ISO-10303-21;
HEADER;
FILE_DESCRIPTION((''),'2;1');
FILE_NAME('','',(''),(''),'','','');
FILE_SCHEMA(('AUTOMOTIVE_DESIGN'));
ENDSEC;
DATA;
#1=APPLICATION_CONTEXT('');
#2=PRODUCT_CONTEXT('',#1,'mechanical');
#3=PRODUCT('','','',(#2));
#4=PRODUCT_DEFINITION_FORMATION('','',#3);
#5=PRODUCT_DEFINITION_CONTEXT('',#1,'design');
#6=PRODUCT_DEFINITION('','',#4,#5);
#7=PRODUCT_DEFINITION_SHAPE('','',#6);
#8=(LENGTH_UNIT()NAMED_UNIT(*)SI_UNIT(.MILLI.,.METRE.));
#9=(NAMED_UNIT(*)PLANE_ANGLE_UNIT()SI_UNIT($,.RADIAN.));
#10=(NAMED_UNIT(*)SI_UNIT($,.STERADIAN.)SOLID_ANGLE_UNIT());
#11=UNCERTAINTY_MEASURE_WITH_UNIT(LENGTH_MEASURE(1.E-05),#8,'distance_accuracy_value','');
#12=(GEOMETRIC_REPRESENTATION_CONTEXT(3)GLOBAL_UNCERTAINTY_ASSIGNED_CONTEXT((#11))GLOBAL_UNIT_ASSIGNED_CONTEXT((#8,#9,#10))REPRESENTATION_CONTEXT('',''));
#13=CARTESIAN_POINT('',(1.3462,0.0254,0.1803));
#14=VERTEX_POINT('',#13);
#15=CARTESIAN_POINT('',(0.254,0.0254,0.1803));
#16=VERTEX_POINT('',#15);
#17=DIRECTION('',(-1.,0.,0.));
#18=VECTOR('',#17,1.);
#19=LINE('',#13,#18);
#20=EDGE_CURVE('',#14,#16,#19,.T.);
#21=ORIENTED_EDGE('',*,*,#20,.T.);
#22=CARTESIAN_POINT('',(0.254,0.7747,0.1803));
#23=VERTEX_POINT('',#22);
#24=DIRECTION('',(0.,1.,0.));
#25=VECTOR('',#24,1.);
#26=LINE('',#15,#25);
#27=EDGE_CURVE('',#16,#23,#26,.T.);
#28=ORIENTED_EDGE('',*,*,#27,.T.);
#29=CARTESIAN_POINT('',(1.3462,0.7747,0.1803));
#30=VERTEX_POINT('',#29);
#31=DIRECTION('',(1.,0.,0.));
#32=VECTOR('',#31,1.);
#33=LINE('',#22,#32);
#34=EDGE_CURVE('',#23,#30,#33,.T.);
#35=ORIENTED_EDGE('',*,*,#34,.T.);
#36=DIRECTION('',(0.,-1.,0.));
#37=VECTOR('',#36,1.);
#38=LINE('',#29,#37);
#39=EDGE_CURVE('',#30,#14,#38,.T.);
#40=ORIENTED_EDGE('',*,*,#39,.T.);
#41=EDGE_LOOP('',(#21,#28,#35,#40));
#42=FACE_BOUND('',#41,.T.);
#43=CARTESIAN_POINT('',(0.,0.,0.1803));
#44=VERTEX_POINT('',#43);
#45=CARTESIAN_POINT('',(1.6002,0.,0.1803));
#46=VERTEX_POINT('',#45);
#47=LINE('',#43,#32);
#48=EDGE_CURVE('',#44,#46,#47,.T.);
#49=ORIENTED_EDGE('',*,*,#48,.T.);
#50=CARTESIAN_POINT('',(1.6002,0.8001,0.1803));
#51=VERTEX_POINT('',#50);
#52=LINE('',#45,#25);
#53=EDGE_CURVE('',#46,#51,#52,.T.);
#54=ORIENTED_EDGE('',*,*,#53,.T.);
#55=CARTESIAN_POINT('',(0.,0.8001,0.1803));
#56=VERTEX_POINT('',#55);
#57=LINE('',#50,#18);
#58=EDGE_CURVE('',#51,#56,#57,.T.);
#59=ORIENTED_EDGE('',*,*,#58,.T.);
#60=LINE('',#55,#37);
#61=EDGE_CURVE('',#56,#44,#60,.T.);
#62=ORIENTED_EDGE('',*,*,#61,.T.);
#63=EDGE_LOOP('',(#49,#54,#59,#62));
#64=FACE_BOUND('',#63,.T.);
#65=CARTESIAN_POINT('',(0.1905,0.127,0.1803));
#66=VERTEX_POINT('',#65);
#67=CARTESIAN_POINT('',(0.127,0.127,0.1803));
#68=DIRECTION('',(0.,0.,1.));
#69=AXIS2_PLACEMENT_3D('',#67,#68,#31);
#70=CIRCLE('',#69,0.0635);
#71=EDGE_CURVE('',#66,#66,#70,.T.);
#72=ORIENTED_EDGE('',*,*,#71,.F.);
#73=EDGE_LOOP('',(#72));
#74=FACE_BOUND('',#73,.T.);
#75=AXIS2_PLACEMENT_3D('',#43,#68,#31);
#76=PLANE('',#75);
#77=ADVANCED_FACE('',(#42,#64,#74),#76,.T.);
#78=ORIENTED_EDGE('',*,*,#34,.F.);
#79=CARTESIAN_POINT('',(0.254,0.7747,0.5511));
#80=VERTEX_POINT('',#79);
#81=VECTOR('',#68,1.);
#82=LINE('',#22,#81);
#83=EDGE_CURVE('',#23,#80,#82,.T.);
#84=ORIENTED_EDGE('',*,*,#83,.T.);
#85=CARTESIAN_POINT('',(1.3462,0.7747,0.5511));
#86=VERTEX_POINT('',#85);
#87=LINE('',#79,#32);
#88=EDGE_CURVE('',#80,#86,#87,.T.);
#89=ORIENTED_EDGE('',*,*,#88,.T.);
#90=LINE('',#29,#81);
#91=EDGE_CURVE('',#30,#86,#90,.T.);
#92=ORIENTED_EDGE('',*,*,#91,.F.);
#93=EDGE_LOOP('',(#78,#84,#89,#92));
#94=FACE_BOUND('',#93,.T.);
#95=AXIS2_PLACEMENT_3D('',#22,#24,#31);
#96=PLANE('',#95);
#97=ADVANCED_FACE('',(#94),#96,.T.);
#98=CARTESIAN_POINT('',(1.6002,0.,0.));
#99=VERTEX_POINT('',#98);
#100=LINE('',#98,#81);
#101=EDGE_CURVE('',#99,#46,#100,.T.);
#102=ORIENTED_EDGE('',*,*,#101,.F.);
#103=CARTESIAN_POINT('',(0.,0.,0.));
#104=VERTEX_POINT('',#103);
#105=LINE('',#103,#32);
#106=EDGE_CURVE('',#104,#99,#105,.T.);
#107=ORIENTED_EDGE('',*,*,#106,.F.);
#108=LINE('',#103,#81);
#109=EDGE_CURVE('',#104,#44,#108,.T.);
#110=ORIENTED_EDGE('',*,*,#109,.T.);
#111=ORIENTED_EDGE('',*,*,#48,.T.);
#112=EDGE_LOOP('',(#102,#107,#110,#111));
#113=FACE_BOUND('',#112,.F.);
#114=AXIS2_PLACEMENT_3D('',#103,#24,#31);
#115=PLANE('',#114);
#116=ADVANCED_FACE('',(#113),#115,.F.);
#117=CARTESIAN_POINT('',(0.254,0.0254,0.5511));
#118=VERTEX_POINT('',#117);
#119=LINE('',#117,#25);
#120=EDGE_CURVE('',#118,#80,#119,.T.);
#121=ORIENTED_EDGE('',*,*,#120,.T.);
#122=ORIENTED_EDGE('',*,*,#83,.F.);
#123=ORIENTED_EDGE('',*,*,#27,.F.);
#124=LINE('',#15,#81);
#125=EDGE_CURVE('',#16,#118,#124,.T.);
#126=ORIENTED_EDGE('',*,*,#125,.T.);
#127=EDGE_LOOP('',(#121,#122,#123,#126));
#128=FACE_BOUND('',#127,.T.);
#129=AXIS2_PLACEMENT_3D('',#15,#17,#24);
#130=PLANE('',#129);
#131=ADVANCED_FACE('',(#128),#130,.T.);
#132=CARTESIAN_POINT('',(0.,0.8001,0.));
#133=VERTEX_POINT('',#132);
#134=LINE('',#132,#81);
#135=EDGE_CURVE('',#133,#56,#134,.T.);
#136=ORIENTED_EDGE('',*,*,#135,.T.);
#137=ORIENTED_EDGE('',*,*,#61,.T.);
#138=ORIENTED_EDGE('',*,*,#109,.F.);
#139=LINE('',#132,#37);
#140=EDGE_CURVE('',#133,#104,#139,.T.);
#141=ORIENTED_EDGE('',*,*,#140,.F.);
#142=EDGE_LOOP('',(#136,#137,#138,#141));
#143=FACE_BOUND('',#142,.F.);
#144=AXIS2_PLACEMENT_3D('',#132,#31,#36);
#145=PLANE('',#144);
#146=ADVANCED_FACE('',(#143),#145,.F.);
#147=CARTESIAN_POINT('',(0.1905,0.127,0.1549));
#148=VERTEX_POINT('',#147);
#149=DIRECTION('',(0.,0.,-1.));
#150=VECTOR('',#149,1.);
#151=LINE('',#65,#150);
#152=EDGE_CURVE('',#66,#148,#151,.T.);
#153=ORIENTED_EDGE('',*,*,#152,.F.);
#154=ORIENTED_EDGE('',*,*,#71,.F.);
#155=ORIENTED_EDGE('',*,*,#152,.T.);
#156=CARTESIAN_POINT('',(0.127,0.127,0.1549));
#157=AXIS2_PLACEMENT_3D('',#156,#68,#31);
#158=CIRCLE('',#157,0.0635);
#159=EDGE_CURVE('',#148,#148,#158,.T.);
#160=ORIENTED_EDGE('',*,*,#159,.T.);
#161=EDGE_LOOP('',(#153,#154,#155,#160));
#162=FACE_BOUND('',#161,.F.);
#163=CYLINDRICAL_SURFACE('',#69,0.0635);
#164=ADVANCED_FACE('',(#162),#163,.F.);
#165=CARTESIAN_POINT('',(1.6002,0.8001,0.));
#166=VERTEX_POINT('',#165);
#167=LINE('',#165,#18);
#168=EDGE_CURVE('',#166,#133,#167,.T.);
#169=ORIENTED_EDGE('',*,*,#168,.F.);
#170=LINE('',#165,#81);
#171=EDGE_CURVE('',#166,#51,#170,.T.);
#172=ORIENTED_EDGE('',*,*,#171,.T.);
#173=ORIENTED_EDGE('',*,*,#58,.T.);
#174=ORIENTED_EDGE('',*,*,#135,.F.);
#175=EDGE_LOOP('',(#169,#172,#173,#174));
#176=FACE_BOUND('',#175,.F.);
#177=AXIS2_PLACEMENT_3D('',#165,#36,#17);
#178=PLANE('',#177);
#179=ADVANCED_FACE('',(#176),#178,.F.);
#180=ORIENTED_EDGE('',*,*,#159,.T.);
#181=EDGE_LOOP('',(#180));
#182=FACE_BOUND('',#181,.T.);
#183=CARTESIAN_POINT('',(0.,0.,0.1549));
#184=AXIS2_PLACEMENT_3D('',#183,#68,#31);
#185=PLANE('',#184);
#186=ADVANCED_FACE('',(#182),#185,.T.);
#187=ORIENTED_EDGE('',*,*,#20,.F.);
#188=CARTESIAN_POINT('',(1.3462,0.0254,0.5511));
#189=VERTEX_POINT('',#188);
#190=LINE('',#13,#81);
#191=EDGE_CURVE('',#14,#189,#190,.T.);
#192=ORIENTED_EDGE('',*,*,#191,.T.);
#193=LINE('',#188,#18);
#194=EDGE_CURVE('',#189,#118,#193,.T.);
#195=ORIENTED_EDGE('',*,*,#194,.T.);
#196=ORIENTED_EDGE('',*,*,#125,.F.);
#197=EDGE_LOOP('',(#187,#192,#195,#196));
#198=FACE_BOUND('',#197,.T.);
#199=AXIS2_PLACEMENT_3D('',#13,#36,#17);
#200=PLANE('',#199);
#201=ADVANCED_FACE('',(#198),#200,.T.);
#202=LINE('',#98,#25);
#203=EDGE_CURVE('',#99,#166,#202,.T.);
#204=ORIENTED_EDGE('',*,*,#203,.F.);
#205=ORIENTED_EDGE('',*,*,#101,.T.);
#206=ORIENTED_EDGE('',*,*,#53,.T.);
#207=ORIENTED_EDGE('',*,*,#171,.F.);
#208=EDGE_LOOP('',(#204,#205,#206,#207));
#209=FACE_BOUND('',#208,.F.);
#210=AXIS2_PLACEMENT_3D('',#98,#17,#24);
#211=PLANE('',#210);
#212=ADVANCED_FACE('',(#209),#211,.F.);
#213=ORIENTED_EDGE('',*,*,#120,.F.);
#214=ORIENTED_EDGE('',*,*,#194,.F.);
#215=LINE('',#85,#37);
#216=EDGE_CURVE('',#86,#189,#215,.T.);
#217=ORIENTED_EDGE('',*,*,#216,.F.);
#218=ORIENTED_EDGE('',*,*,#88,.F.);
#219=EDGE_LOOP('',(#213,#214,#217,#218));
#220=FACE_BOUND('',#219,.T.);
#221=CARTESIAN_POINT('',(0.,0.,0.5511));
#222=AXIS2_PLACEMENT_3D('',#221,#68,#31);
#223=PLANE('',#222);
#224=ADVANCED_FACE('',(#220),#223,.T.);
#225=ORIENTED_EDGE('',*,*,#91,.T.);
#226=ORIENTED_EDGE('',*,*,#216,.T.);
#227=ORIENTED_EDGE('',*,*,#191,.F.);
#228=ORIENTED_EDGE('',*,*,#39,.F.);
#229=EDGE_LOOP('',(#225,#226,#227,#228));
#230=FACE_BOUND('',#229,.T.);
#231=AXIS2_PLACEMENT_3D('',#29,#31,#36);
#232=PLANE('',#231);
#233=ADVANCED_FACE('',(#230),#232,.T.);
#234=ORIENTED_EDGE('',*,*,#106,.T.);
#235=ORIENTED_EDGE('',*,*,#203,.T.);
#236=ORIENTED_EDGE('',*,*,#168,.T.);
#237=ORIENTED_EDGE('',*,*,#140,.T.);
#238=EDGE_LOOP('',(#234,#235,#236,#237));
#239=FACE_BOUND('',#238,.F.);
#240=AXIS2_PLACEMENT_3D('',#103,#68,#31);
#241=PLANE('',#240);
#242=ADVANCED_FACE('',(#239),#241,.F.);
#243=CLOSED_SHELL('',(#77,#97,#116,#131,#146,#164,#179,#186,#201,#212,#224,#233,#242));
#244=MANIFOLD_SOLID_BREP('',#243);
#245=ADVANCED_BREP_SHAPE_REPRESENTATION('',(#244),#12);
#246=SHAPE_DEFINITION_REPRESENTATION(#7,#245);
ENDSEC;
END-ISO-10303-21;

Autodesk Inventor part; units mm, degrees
ref_plane "YZ Plane" through (0, 0, 0) normal (1, 0, 0) x (0, 1, 0)
ref_plane "XZ Plane" through (0, 0, 0) normal (0, 1, 0) x (-1, 0, 0)
ref_plane "XY Plane" through (0, 0, 0) normal (0, 0, 1) x (1, 0, 0)
sketch "Sketch1" plane through (0, 0, 0) normal (0, 0, 1) x (1, 0, 0)
  line L0 (0, 0) -> (1.6002, 0)
  line L1 (1.6002, 0) -> (1.6002, 0.8001)
  line L2 (1.6002, 0.8001) -> (0, 0.8001)
  line L3 (0, 0.8001) -> (0, 0)
  dimension "d0" = 1.6002
  dimension "d1" = 0.8001
extrude "Extrusion1" add sketch "Sketch1" along normal blind 0.1803
sketch "Sketch2" plane through (0, 0, 0.1803) normal (0, 0, 1) x (1, 0, 0)
  line L0 (0.254, 0.7747) -> (1.3462, 0.7747)
  line L1 (1.3462, 0.7747) -> (1.3462, 0.0254)
  line L2 (1.3462, 0.0254) -> (0.254, 0.0254)
  line L3 (0.254, 0.0254) -> (0.254, 0.7747)
  line L4 (1.6002, 0.8001) -> (0, 0.8001) projected
  line L5 (0, 0) -> (1.6002, 0) projected
  line L6 (1.6002, 0) -> (1.6002, 0.8001) projected
  line L7 (0, 0.8001) -> (0, 0) projected
  dimension "d4" = 0.0254
  dimension "d5" = 0.0254
  dimension "d6" = 0.254
  dimension "d7" = 0.254
extrude "Extrusion2" add sketch "Sketch2" along normal blind 0.3708 contours L0 L1 L2 L3
sketch "Sketch3" plane through (0, 0, 0.1803) normal (0, 0, 1) x (1, 0, 0)
  circle A0 centre (0.127, 0.127) radius 0.0635
  line L0 (0, 0) -> (1.6002, 0) projected
  line L1 (0, 0.8001) -> (0, 0) projected
  dimension "d10" = 0.127
  dimension "d11" = 0.127
  dimension "d12" = 0.127
extrude "Extrusion3" cut sketch "Sketch3" against normal blind 0.0254
properties part number "sLarge LED"
